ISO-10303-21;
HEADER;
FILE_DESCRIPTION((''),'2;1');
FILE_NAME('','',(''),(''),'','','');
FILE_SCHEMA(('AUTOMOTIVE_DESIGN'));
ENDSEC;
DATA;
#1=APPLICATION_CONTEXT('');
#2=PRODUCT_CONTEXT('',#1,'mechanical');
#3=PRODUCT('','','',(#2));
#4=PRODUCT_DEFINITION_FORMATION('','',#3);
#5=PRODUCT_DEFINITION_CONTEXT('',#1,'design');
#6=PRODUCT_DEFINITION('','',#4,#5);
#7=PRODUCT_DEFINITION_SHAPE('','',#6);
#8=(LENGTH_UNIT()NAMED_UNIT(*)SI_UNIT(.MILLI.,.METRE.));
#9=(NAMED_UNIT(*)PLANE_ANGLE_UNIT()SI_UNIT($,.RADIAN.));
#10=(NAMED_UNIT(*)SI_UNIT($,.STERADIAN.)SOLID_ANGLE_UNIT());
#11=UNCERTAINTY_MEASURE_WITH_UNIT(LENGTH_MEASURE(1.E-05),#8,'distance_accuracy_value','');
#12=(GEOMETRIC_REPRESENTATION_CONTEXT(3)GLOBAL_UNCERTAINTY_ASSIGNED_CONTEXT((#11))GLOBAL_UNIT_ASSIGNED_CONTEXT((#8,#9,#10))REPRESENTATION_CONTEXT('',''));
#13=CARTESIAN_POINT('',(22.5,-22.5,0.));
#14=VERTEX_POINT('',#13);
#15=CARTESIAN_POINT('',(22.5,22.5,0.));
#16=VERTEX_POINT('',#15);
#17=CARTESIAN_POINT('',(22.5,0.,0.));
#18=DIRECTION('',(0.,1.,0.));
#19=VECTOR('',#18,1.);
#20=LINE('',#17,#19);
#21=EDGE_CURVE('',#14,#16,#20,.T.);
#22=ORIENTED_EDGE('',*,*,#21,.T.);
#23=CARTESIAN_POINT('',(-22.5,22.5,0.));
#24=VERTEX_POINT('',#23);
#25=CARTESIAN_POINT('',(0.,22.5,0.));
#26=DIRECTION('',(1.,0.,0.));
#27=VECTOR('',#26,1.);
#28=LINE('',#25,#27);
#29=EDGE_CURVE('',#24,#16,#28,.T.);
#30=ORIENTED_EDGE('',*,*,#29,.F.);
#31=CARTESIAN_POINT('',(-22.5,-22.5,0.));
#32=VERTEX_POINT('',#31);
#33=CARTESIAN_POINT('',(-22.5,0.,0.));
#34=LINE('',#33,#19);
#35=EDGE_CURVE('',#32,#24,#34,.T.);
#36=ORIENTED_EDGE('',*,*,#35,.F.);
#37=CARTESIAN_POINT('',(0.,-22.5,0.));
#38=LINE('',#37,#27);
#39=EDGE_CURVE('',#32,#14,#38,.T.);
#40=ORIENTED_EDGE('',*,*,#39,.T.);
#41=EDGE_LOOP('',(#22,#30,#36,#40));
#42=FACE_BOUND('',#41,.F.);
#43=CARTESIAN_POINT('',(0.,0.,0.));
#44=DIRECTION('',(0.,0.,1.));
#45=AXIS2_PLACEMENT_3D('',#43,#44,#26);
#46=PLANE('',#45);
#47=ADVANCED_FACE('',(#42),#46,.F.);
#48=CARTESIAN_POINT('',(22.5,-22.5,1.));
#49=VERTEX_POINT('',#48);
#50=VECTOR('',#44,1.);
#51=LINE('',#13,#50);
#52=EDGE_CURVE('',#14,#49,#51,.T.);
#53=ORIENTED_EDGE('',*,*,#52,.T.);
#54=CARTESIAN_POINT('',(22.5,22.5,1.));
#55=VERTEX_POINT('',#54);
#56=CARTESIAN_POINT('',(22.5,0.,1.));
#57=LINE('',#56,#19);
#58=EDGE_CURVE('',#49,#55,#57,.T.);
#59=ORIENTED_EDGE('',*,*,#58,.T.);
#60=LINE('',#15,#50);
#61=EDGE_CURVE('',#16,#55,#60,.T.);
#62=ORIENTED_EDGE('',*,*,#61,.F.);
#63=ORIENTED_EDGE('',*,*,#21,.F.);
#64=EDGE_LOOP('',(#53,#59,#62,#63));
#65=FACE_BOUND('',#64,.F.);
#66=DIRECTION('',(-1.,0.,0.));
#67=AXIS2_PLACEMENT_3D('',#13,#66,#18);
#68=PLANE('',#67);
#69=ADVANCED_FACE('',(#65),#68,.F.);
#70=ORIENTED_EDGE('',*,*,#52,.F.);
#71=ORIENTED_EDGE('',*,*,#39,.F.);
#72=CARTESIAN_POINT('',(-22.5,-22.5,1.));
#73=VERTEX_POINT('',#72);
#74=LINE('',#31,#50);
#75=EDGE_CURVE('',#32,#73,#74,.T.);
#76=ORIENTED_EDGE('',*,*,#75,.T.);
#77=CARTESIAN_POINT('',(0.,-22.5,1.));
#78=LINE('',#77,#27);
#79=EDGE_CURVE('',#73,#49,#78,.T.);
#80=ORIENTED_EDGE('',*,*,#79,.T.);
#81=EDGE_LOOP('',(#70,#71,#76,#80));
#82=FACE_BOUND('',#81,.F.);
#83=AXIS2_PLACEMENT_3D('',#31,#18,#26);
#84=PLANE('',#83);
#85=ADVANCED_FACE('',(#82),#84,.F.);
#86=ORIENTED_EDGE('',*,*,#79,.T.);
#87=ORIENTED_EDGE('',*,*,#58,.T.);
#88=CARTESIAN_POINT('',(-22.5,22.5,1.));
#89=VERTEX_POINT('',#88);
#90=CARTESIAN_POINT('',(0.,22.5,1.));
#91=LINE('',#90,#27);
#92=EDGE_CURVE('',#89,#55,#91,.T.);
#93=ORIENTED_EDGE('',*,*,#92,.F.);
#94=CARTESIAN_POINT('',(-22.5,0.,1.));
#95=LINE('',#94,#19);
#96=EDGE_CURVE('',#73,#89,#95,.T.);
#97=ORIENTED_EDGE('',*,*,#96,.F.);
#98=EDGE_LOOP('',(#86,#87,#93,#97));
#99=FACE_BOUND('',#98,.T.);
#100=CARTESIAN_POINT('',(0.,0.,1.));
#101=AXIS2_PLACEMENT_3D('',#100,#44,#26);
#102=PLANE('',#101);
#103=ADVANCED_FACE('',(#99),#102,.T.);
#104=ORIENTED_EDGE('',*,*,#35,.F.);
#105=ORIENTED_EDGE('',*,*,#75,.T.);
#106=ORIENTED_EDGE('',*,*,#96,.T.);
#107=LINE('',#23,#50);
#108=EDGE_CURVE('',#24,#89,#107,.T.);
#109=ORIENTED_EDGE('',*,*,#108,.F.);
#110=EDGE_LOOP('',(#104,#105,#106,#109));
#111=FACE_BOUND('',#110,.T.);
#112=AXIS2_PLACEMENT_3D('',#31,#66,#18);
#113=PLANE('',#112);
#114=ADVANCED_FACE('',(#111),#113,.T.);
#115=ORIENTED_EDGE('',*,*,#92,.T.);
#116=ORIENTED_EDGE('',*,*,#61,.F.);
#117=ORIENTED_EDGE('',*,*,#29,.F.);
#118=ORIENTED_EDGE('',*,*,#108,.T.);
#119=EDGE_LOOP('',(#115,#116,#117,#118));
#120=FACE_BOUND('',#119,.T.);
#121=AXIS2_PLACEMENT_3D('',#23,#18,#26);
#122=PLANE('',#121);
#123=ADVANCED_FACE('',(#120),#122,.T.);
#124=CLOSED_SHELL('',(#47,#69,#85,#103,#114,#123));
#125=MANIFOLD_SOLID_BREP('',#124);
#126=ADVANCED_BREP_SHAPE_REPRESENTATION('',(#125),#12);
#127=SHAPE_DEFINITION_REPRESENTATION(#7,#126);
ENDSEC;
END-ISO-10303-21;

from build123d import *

# Parameters (mm, degrees)
SKETCH_1_W      = 45
SKETCH_1_H      = 45
EXTRUDE_1_DEPTH = 1


with BuildPart() as part:
    # Эскиз1 → Бобышка-Вытянуть1 (new body)
    with BuildSketch(Plane.XY):
        Rectangle(SKETCH_1_W, SKETCH_1_H)
    extrude(amount=EXTRUDE_1_DEPTH)


solid = part.part
